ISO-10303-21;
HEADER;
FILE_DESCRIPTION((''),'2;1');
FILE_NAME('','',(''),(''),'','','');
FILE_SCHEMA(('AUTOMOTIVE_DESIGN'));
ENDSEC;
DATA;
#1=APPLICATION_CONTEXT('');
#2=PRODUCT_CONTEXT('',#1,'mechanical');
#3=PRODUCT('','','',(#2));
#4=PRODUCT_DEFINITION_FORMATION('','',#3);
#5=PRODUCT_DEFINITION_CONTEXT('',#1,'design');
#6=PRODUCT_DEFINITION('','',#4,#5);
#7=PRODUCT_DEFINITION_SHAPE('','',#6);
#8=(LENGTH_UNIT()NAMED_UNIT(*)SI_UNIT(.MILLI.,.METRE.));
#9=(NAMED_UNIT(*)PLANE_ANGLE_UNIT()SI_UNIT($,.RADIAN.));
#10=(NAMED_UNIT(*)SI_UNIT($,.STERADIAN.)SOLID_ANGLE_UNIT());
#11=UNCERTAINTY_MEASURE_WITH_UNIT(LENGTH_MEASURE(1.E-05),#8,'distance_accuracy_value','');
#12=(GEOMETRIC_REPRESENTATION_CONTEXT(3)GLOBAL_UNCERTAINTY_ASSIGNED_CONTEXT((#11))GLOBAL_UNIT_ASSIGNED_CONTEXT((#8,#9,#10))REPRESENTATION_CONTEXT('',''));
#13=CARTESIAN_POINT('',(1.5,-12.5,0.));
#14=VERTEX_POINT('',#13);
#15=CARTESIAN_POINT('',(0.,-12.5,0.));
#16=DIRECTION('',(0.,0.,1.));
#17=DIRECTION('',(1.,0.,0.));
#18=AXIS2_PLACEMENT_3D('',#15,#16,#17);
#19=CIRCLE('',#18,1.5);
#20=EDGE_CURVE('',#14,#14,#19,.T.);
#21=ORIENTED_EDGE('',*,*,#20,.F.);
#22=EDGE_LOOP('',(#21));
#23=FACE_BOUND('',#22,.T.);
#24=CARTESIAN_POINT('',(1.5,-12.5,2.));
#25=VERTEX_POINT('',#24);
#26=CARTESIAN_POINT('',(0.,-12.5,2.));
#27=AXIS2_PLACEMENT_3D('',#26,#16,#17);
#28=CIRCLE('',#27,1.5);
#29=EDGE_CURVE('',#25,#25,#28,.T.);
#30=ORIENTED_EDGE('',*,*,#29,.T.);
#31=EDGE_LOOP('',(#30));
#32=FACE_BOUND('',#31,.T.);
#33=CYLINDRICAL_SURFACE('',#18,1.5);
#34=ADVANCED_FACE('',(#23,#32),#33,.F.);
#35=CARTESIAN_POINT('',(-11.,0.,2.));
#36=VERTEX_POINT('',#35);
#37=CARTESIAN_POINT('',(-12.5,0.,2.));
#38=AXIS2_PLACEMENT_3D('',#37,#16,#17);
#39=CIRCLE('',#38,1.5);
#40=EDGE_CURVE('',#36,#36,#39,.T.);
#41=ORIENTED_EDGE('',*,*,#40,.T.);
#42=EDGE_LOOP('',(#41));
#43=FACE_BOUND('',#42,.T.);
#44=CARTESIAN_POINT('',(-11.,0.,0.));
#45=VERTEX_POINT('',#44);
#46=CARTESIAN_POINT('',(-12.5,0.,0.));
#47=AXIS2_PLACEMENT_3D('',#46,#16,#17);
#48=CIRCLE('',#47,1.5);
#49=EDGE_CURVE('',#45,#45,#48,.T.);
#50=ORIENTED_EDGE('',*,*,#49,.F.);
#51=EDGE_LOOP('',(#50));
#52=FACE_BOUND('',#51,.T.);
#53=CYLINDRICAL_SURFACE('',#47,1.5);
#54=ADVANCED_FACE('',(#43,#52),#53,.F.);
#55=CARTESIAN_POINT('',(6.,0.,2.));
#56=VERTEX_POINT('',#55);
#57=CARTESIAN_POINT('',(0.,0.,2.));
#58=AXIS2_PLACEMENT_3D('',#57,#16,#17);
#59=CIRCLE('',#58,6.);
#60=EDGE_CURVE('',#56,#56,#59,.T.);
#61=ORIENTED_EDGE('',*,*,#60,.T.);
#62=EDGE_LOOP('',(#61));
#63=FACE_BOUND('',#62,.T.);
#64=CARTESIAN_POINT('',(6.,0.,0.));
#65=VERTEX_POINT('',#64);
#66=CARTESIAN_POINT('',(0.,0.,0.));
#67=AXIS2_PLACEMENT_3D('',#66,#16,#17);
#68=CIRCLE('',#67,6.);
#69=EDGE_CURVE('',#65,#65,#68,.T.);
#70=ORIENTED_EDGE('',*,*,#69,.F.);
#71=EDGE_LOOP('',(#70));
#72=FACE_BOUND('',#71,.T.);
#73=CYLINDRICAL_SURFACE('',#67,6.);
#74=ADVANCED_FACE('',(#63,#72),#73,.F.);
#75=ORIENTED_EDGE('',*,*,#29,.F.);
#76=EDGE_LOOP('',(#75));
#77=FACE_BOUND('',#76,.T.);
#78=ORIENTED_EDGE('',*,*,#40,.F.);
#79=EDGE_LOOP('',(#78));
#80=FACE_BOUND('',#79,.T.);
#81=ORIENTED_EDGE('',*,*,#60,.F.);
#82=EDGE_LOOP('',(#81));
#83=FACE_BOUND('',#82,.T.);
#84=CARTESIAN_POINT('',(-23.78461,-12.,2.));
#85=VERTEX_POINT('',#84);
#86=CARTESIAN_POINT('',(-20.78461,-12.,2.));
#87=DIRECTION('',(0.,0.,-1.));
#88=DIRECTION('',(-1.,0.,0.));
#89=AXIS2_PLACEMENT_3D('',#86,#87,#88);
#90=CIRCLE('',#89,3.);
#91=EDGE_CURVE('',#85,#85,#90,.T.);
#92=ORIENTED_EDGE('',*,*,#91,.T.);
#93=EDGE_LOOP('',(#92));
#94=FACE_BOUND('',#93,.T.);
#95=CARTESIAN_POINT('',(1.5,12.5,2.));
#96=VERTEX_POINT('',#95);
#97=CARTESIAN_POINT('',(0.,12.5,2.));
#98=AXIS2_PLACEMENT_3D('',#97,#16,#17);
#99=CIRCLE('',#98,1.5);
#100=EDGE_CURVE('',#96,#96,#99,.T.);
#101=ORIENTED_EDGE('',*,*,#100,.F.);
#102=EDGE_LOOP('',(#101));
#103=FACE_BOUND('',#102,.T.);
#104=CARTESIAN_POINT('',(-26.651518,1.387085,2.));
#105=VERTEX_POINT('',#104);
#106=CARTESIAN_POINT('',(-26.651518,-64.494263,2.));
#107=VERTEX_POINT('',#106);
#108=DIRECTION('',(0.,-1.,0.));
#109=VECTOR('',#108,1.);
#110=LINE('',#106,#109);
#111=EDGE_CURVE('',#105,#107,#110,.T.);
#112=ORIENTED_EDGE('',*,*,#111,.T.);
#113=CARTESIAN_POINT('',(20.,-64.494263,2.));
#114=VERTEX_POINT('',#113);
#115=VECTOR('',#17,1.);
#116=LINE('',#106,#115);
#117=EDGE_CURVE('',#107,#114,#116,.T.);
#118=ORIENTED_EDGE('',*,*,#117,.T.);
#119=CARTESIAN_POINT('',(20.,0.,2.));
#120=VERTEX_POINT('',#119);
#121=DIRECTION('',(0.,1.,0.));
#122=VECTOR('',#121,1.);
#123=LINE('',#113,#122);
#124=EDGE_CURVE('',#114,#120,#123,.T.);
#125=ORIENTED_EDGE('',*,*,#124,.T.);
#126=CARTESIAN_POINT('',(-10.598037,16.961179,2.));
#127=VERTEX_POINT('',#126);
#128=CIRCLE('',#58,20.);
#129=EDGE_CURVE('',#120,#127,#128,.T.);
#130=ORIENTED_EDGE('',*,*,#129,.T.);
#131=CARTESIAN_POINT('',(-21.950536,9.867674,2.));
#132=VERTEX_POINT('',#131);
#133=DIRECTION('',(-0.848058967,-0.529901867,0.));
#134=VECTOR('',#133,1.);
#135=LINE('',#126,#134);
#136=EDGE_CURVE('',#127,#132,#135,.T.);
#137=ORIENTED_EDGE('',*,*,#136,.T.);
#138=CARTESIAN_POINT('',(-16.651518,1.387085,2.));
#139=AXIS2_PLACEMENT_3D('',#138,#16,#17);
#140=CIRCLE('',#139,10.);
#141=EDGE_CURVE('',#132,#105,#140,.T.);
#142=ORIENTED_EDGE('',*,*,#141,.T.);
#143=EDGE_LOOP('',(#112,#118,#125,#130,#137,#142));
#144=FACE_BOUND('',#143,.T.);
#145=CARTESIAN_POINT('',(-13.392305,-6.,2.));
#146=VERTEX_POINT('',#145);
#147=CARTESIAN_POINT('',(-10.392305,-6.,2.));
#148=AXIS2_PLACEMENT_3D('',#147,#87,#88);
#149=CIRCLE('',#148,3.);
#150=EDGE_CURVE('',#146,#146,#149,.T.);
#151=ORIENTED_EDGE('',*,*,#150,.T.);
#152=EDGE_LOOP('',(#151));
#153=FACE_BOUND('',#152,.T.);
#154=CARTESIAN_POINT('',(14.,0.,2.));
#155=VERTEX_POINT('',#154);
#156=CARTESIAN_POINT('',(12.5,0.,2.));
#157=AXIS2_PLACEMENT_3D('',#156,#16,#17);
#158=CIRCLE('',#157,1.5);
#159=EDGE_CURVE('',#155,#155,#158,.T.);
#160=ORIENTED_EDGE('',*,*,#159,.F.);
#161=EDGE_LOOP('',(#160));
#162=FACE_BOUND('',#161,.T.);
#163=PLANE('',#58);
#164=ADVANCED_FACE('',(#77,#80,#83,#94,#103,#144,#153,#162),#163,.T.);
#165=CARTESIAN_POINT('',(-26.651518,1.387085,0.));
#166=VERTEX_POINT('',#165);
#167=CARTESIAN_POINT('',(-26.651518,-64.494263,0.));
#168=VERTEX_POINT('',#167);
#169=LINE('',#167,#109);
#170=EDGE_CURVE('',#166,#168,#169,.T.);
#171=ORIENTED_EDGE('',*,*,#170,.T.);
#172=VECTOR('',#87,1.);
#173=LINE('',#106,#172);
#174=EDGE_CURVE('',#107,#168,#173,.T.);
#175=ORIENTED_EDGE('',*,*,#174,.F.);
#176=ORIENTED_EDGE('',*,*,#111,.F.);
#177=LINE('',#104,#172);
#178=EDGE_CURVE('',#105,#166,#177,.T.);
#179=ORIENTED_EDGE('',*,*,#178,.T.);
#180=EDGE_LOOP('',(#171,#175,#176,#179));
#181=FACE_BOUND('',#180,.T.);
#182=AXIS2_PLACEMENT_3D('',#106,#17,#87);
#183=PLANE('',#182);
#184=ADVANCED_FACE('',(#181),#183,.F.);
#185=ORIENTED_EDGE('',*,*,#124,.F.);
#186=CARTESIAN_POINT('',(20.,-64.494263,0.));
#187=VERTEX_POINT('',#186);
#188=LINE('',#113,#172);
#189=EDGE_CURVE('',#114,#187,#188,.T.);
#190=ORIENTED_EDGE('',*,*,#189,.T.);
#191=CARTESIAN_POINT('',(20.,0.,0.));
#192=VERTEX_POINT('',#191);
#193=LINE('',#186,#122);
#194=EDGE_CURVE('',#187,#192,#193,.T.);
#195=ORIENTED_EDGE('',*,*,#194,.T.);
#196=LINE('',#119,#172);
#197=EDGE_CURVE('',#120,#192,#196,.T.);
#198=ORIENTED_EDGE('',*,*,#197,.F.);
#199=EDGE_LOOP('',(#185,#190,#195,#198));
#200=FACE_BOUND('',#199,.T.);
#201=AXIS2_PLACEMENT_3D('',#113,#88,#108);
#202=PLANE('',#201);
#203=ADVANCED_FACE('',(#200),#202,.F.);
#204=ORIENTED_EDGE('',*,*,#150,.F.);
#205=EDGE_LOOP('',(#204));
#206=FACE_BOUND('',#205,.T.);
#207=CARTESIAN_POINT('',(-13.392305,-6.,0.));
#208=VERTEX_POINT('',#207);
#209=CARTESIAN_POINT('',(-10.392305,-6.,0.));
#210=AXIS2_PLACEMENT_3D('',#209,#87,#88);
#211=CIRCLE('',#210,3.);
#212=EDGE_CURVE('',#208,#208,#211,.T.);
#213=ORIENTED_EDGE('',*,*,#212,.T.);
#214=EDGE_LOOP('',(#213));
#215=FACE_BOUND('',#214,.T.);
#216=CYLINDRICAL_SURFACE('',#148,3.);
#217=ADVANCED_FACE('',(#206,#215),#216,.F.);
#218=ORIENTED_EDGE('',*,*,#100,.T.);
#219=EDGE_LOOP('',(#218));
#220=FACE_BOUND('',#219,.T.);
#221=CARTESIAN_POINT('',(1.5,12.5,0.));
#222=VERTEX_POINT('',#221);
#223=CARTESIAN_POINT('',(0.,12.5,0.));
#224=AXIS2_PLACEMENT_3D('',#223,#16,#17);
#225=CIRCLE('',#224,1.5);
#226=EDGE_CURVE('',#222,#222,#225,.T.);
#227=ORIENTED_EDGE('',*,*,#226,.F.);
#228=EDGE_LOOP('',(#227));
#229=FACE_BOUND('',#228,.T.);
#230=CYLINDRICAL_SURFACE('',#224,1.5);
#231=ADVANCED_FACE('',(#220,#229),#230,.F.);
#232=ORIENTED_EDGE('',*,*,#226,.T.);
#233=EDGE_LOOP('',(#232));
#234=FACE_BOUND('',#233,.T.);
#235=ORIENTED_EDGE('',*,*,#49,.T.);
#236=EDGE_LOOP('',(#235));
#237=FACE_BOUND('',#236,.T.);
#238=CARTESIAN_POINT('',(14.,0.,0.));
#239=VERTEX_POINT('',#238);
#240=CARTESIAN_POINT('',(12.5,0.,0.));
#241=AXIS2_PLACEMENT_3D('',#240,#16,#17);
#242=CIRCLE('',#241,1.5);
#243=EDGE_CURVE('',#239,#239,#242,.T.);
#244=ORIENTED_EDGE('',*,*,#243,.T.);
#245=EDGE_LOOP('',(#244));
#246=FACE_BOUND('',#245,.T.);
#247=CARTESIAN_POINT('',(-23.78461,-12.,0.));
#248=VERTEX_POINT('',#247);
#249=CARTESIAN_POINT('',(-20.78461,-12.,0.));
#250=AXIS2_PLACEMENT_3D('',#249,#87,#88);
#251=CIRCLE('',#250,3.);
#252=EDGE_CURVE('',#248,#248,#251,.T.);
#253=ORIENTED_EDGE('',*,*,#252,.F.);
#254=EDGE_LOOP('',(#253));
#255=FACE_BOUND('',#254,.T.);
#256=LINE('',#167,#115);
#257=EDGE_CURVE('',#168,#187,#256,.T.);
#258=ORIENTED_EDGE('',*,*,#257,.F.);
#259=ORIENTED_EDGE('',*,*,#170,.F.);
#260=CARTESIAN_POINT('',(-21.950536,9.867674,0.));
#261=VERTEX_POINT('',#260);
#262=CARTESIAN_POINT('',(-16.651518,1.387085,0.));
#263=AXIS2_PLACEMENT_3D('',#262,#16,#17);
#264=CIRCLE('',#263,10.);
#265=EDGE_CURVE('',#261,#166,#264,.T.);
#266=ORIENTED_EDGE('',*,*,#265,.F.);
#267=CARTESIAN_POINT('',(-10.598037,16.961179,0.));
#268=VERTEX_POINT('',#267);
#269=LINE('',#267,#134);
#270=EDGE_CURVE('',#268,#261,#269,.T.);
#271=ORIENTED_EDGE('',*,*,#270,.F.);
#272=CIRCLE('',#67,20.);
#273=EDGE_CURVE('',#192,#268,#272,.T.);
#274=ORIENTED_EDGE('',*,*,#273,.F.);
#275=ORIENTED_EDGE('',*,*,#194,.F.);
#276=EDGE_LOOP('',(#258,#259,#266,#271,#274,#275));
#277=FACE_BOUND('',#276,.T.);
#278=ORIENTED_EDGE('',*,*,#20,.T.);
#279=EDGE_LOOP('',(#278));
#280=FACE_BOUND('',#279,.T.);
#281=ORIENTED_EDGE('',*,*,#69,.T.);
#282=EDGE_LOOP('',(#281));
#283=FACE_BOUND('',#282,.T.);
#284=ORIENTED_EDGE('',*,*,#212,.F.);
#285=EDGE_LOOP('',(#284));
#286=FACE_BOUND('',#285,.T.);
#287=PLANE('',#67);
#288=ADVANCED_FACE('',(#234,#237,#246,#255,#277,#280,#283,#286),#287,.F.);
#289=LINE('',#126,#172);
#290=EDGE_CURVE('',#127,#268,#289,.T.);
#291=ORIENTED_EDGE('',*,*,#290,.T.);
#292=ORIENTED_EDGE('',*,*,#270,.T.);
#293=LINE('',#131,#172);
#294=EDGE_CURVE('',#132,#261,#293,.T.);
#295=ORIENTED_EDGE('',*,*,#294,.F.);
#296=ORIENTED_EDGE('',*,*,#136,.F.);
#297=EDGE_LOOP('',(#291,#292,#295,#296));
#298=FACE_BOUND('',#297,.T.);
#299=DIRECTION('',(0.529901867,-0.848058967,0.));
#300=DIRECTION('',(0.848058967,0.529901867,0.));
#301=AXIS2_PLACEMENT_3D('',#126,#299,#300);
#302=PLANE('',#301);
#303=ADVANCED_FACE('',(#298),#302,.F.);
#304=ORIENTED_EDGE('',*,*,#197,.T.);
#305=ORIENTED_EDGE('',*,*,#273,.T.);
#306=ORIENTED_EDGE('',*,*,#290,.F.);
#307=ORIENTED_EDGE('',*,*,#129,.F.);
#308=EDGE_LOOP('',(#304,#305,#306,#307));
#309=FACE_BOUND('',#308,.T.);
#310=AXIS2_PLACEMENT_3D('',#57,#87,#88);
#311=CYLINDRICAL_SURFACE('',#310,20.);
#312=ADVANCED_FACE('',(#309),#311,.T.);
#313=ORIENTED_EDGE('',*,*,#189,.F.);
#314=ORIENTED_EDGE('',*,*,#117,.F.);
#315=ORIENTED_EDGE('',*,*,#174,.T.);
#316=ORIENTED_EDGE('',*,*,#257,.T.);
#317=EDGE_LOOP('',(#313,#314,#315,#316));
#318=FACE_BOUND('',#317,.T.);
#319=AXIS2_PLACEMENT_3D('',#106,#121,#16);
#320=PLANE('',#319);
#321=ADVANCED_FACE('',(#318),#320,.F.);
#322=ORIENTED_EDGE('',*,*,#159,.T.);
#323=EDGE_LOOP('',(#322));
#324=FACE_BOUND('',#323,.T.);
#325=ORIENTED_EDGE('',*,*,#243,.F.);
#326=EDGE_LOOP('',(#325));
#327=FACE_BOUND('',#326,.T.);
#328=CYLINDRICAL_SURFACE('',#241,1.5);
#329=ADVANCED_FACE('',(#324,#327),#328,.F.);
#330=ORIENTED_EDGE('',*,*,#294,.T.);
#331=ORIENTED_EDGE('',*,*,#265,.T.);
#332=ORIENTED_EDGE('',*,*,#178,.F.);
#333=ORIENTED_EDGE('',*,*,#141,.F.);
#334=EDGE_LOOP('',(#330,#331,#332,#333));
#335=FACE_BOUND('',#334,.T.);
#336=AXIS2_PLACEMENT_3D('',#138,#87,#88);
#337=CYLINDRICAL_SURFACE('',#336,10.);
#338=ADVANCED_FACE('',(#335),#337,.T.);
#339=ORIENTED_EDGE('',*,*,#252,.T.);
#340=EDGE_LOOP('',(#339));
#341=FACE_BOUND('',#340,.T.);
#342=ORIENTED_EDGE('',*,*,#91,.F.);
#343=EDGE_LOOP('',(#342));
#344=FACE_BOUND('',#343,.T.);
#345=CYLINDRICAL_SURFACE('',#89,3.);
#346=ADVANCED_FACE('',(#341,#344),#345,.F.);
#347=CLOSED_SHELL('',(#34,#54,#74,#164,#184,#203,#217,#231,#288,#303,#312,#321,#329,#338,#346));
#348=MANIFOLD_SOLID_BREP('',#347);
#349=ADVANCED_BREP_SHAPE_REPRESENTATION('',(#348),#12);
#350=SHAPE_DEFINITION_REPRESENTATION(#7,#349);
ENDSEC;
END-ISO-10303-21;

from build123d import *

# Parameters (mm, degrees)
BOSS_EXTRUDE1_DEPTH = 2
SKETCH2_R           = 6
SKETCH2_R_2         = 1.5
CUT_EXTRUDE1_DEPTH  = 2
SKETCH3_R           = 3
CUT_EXTRUDE2_DEPTH  = 2


with BuildPart() as part:
    # Sketch1 → Boss-Extrude1 (new body)
    with BuildSketch(Plane.XY):
        with BuildLine():
            Line((-10.598037339, 16.961179339), (-21.950536445, 9.8676744))
            ThreePointArc((-21.950536445, 9.8676744), (-25.397665118, 6.235270644), (-26.651517775, 1.38708473))
            Line((-26.651517775, 1.38708473), (-26.651517775, -64.494263033))
            Line((-26.651517775, -64.494263033), (20, -64.494263033))
            Line((20, -64.494263033), (20, 0))
            ThreePointArc((20, 0), (9.696371827, 17.492294686), (-10.598037339, 16.961179339))
        make_face()
    extrude(amount=BOSS_EXTRUDE1_DEPTH)

    # Sketch2 → Cut-Extrude1 (cut)
    with BuildSketch(Plane.XY.offset(2)):
        Circle(SKETCH2_R)
        with Locations((12.5, 0)):
            Circle(SKETCH2_R_2)
        with Locations((0, -12.5)):
            Circle(SKETCH2_R_2)
        with Locations((-12.5, 0)):
            Circle(SKETCH2_R_2)
        with Locations((0, 12.5)):
            Circle(SKETCH2_R_2)
    extrude(amount=-CUT_EXTRUDE1_DEPTH, mode=Mode.SUBTRACT)

    # Sketch3 → Cut-Extrude2 (cut)
    with BuildSketch(Plane(origin=(0, 0, 0), x_dir=(-1, 0, 0), z_dir=(0, 0, -1))):
        with Locations((10.392304845, -6)):
            Circle(SKETCH3_R)
        with Locations((20.784609691, -12)):
            Circle(SKETCH3_R)
    extrude(amount=-CUT_EXTRUDE2_DEPTH, mode=Mode.SUBTRACT)


solid = part.part
